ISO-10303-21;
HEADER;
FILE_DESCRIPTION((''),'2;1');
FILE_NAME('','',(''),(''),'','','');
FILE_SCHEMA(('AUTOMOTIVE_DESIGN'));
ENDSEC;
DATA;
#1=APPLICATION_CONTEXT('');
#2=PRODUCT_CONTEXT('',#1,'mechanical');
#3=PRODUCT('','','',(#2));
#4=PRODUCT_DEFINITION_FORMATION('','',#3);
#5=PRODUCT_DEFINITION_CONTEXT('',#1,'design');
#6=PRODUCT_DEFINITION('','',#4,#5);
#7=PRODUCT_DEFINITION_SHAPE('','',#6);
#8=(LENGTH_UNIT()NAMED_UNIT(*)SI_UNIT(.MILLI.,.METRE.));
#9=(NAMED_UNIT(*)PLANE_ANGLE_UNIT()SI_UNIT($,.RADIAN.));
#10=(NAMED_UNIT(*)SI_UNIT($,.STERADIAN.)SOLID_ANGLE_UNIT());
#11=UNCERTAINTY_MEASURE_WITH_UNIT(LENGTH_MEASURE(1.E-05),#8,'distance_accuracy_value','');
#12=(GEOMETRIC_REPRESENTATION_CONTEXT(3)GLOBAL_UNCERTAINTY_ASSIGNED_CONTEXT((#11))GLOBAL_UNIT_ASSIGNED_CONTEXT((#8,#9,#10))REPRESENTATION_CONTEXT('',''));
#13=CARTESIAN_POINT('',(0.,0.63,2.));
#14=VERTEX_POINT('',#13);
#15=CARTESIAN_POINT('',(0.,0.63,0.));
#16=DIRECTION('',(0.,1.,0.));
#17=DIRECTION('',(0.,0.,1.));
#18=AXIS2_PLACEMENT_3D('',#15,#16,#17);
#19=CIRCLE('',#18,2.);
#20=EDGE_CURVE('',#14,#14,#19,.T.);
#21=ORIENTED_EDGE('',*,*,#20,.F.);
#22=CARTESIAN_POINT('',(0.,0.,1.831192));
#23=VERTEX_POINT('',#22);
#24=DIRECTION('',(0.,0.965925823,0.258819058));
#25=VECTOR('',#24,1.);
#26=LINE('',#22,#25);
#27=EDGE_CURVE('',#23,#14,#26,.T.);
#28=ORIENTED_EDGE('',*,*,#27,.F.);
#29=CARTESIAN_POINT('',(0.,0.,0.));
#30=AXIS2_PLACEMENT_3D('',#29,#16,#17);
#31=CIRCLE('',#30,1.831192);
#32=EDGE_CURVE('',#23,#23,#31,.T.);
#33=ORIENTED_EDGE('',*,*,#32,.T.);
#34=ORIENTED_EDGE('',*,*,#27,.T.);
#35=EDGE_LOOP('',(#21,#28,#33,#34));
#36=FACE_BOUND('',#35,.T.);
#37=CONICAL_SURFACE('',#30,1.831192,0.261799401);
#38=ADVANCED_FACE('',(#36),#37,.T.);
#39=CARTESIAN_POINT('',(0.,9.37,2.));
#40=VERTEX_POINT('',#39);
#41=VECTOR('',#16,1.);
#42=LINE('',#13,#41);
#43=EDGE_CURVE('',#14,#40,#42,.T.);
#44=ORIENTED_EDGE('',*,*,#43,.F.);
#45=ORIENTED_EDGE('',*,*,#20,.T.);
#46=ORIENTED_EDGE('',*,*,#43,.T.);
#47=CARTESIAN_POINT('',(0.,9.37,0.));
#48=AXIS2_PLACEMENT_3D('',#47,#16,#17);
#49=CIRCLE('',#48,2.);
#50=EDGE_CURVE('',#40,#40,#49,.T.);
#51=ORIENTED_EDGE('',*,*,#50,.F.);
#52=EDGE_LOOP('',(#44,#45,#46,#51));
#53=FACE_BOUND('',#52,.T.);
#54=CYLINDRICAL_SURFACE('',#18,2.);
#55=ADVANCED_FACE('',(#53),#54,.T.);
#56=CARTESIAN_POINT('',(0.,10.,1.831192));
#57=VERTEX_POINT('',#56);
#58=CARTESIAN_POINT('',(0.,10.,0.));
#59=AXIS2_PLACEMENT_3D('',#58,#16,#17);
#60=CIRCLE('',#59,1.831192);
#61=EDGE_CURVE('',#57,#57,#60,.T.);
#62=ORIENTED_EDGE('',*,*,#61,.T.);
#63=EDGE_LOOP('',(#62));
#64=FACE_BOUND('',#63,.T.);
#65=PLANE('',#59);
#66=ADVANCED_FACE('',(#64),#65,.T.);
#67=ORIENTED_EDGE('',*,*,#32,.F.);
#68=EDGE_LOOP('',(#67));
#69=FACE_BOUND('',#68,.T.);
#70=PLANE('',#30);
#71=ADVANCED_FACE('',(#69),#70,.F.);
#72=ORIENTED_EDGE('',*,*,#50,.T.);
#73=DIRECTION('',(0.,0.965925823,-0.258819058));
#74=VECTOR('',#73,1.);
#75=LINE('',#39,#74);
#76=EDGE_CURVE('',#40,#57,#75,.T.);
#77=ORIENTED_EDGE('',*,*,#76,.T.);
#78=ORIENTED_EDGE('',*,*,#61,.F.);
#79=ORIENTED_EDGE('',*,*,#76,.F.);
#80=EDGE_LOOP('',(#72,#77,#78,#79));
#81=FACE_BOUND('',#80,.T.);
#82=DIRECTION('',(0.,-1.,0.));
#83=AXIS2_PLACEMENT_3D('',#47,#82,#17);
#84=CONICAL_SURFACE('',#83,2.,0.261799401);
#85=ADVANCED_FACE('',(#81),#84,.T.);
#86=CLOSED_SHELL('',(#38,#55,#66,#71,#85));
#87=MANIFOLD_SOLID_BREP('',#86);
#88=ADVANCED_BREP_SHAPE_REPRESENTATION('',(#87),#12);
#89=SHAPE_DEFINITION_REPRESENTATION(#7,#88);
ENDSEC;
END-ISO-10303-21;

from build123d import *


with BuildPart() as part:
    # Sketch → Revolution (revolve)
    with BuildSketch(Plane.YZ):
        Polygon((0, 0), (0, 1.831192), (0.63, 2), (9.37, 2), (10, 1.831192), (10, 0), align=None)
    revolve(axis=Axis((0, 0, 0), (0, 1, 0)))


solid = part.part
